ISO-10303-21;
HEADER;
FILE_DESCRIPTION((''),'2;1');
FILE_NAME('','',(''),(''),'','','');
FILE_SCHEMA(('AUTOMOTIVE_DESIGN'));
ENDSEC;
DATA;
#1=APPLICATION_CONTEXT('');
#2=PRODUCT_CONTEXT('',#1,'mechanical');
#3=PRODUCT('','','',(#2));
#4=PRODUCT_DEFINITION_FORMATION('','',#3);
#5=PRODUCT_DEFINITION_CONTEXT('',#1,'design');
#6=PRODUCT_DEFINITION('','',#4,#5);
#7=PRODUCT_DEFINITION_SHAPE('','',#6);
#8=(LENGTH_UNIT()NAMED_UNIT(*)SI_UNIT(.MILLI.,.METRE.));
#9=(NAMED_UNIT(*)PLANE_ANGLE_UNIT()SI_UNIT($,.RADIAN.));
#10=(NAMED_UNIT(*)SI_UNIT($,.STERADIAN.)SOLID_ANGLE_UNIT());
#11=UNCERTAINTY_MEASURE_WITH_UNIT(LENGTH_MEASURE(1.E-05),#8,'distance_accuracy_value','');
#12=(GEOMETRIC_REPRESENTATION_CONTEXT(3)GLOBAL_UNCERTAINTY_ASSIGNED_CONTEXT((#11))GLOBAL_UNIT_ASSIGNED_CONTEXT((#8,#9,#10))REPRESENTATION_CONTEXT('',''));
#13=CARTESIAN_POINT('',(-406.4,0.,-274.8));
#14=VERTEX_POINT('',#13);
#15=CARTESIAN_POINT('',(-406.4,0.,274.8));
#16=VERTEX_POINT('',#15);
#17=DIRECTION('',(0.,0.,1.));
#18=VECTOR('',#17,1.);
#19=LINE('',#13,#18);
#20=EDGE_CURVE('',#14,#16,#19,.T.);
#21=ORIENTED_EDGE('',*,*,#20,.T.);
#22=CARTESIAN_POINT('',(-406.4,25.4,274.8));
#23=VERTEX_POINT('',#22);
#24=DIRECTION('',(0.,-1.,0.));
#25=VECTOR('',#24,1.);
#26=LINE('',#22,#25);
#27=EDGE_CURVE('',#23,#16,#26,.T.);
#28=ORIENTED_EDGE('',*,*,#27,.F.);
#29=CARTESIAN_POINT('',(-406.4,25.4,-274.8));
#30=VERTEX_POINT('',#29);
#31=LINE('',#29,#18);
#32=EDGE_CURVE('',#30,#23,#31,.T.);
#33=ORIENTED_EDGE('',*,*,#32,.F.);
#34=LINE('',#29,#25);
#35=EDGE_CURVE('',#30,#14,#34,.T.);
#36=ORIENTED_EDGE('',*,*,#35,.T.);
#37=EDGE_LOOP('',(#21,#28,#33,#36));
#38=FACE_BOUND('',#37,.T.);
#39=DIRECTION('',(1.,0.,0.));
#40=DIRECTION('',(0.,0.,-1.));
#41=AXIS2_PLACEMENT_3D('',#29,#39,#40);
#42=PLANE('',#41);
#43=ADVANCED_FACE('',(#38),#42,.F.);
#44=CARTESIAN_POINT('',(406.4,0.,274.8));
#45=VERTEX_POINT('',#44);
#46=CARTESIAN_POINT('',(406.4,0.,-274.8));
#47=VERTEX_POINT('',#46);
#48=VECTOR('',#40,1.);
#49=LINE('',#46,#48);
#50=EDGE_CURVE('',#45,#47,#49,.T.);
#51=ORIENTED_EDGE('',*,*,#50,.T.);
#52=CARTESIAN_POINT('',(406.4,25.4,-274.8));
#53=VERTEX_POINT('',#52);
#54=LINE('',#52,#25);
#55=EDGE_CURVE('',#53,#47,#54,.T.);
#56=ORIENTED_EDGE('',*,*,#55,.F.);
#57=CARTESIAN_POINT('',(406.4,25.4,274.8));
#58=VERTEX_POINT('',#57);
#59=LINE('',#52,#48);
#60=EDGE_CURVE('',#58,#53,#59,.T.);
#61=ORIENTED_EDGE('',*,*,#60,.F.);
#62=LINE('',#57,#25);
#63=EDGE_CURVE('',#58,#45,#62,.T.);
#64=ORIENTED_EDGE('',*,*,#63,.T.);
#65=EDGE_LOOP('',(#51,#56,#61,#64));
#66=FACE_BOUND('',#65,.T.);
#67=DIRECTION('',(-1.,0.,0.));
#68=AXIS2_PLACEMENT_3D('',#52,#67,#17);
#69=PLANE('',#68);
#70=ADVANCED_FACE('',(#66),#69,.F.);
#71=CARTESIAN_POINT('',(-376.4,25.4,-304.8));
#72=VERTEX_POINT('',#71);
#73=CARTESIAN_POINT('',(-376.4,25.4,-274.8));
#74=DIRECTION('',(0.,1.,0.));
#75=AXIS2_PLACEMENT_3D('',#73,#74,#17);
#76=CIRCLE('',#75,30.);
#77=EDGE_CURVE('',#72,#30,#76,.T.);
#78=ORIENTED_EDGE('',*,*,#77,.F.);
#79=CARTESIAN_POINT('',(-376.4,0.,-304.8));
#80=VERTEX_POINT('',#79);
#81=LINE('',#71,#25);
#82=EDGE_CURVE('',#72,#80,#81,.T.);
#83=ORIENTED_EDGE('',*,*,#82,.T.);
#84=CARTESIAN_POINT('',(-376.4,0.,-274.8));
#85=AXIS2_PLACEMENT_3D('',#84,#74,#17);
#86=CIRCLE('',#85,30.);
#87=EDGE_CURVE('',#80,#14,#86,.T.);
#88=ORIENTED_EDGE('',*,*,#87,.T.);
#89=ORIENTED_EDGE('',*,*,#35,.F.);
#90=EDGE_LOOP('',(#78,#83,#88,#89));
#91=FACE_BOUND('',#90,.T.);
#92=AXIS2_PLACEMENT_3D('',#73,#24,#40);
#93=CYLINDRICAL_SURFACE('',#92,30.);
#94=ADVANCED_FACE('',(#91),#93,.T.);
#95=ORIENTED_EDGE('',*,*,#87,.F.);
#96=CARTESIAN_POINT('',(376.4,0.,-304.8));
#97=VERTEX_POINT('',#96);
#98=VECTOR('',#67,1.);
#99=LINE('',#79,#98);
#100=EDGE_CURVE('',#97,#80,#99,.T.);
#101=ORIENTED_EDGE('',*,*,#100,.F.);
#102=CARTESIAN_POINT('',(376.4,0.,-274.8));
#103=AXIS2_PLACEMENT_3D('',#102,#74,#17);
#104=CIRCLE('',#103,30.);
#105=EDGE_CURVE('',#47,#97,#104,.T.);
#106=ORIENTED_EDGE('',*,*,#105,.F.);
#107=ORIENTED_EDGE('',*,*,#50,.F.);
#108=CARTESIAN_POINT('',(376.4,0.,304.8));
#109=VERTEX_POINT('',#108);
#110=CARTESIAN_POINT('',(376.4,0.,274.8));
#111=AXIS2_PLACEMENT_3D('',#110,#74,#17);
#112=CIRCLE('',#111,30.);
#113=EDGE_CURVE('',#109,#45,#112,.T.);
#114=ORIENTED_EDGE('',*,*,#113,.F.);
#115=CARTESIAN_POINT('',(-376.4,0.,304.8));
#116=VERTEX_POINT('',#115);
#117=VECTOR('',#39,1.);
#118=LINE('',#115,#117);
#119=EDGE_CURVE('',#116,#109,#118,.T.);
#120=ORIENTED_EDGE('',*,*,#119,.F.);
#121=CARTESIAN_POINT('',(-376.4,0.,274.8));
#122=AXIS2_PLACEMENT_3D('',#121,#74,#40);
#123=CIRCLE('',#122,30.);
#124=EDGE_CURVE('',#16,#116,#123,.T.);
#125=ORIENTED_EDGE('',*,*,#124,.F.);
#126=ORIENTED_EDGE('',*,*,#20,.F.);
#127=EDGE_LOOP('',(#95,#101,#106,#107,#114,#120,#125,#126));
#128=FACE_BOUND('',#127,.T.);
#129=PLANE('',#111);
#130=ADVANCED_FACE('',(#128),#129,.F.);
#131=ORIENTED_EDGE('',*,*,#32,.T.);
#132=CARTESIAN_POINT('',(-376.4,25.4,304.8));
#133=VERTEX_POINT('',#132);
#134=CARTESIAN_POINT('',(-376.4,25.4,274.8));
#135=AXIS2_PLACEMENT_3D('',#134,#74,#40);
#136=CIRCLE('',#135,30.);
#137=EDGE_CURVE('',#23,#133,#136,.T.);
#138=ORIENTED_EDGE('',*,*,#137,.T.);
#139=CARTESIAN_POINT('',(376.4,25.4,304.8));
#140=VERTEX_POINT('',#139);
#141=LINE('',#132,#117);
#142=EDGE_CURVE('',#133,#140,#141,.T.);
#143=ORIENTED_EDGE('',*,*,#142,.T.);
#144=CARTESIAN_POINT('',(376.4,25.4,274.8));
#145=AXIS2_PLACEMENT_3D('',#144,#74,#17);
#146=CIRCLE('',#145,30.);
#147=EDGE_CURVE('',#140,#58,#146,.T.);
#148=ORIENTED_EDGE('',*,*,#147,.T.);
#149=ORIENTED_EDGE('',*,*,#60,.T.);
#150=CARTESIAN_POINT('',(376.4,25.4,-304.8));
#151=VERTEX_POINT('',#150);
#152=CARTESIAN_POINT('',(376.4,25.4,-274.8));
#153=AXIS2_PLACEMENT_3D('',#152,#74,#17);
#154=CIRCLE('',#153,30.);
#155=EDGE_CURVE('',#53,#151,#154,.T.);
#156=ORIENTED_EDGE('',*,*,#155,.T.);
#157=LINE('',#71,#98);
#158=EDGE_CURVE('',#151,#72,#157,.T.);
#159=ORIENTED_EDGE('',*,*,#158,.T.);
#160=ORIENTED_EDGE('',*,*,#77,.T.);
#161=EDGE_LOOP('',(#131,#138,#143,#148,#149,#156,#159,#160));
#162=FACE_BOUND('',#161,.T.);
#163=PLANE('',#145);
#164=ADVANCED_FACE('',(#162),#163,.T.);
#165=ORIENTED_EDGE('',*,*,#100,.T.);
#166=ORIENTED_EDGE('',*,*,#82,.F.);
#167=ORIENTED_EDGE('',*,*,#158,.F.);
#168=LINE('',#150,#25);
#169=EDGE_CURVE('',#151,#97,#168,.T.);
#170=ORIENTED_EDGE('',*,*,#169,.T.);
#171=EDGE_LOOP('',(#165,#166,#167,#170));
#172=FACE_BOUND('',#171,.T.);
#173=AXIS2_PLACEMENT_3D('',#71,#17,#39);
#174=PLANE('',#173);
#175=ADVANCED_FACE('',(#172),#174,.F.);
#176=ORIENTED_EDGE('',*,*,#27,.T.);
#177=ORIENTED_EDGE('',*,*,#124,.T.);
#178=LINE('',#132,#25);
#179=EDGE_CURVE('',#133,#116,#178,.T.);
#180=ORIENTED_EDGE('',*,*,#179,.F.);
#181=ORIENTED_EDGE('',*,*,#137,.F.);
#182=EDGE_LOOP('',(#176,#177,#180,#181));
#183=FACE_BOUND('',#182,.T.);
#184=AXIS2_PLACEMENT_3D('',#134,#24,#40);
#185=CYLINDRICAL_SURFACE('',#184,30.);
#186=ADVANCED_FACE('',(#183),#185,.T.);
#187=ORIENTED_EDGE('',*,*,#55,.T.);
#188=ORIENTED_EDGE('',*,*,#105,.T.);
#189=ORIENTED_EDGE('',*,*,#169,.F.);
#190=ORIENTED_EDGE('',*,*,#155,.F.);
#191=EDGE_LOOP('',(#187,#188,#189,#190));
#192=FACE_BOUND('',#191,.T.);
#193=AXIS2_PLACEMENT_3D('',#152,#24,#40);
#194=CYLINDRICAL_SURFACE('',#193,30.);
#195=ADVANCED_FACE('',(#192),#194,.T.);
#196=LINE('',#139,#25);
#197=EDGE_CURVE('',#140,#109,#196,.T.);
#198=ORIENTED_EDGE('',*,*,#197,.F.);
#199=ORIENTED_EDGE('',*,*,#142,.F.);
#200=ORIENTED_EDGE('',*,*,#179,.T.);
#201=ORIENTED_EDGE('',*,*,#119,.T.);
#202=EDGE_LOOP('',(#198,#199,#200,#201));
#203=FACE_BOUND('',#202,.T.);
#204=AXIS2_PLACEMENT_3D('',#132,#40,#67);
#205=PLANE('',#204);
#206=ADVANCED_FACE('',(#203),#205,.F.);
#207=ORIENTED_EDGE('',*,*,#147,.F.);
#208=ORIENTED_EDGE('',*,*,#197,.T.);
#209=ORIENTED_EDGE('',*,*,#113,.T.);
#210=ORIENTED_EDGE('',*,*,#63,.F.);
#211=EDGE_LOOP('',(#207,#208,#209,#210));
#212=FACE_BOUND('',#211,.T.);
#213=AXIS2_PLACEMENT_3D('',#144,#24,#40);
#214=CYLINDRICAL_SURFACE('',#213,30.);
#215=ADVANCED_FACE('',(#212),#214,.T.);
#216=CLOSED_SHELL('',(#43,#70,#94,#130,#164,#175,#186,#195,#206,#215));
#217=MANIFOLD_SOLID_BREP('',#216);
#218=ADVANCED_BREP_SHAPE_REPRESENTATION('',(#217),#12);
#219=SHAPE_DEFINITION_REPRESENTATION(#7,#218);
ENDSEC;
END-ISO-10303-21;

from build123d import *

# Parameters (mm, degrees)
BOSS_EXTRUDE1_DEPTH = 25.4


with BuildPart() as part:
    # Sketch1 → Boss-Extrude1 (new body)
    with BuildSketch(Plane(origin=(0, 0, 0), x_dir=(1, 0, 0), z_dir=(0, 1, 0))):
        with BuildLine():
            Line((-376.4, 304.8), (376.4, 304.8))
            ThreePointArc((376.4, 304.8), (397.613203436, 296.013203436), (406.4, 274.8))
            Line((406.4, 274.8), (406.4, -274.8))
            ThreePointArc((406.4, -274.8), (397.613203436, -296.013203436), (376.4, -304.8))
            Line((376.4, -304.8), (-376.4, -304.8))
            ThreePointArc((-376.4, -304.8), (-397.613203436, -296.013203436), (-406.4, -274.8))
            Line((-406.4, -274.8), (-406.4, 274.8))
            ThreePointArc((-406.4, 274.8), (-397.613203436, 296.013203436), (-376.4, 304.8))
        make_face()
    extrude(amount=BOSS_EXTRUDE1_DEPTH)


solid = part.part
